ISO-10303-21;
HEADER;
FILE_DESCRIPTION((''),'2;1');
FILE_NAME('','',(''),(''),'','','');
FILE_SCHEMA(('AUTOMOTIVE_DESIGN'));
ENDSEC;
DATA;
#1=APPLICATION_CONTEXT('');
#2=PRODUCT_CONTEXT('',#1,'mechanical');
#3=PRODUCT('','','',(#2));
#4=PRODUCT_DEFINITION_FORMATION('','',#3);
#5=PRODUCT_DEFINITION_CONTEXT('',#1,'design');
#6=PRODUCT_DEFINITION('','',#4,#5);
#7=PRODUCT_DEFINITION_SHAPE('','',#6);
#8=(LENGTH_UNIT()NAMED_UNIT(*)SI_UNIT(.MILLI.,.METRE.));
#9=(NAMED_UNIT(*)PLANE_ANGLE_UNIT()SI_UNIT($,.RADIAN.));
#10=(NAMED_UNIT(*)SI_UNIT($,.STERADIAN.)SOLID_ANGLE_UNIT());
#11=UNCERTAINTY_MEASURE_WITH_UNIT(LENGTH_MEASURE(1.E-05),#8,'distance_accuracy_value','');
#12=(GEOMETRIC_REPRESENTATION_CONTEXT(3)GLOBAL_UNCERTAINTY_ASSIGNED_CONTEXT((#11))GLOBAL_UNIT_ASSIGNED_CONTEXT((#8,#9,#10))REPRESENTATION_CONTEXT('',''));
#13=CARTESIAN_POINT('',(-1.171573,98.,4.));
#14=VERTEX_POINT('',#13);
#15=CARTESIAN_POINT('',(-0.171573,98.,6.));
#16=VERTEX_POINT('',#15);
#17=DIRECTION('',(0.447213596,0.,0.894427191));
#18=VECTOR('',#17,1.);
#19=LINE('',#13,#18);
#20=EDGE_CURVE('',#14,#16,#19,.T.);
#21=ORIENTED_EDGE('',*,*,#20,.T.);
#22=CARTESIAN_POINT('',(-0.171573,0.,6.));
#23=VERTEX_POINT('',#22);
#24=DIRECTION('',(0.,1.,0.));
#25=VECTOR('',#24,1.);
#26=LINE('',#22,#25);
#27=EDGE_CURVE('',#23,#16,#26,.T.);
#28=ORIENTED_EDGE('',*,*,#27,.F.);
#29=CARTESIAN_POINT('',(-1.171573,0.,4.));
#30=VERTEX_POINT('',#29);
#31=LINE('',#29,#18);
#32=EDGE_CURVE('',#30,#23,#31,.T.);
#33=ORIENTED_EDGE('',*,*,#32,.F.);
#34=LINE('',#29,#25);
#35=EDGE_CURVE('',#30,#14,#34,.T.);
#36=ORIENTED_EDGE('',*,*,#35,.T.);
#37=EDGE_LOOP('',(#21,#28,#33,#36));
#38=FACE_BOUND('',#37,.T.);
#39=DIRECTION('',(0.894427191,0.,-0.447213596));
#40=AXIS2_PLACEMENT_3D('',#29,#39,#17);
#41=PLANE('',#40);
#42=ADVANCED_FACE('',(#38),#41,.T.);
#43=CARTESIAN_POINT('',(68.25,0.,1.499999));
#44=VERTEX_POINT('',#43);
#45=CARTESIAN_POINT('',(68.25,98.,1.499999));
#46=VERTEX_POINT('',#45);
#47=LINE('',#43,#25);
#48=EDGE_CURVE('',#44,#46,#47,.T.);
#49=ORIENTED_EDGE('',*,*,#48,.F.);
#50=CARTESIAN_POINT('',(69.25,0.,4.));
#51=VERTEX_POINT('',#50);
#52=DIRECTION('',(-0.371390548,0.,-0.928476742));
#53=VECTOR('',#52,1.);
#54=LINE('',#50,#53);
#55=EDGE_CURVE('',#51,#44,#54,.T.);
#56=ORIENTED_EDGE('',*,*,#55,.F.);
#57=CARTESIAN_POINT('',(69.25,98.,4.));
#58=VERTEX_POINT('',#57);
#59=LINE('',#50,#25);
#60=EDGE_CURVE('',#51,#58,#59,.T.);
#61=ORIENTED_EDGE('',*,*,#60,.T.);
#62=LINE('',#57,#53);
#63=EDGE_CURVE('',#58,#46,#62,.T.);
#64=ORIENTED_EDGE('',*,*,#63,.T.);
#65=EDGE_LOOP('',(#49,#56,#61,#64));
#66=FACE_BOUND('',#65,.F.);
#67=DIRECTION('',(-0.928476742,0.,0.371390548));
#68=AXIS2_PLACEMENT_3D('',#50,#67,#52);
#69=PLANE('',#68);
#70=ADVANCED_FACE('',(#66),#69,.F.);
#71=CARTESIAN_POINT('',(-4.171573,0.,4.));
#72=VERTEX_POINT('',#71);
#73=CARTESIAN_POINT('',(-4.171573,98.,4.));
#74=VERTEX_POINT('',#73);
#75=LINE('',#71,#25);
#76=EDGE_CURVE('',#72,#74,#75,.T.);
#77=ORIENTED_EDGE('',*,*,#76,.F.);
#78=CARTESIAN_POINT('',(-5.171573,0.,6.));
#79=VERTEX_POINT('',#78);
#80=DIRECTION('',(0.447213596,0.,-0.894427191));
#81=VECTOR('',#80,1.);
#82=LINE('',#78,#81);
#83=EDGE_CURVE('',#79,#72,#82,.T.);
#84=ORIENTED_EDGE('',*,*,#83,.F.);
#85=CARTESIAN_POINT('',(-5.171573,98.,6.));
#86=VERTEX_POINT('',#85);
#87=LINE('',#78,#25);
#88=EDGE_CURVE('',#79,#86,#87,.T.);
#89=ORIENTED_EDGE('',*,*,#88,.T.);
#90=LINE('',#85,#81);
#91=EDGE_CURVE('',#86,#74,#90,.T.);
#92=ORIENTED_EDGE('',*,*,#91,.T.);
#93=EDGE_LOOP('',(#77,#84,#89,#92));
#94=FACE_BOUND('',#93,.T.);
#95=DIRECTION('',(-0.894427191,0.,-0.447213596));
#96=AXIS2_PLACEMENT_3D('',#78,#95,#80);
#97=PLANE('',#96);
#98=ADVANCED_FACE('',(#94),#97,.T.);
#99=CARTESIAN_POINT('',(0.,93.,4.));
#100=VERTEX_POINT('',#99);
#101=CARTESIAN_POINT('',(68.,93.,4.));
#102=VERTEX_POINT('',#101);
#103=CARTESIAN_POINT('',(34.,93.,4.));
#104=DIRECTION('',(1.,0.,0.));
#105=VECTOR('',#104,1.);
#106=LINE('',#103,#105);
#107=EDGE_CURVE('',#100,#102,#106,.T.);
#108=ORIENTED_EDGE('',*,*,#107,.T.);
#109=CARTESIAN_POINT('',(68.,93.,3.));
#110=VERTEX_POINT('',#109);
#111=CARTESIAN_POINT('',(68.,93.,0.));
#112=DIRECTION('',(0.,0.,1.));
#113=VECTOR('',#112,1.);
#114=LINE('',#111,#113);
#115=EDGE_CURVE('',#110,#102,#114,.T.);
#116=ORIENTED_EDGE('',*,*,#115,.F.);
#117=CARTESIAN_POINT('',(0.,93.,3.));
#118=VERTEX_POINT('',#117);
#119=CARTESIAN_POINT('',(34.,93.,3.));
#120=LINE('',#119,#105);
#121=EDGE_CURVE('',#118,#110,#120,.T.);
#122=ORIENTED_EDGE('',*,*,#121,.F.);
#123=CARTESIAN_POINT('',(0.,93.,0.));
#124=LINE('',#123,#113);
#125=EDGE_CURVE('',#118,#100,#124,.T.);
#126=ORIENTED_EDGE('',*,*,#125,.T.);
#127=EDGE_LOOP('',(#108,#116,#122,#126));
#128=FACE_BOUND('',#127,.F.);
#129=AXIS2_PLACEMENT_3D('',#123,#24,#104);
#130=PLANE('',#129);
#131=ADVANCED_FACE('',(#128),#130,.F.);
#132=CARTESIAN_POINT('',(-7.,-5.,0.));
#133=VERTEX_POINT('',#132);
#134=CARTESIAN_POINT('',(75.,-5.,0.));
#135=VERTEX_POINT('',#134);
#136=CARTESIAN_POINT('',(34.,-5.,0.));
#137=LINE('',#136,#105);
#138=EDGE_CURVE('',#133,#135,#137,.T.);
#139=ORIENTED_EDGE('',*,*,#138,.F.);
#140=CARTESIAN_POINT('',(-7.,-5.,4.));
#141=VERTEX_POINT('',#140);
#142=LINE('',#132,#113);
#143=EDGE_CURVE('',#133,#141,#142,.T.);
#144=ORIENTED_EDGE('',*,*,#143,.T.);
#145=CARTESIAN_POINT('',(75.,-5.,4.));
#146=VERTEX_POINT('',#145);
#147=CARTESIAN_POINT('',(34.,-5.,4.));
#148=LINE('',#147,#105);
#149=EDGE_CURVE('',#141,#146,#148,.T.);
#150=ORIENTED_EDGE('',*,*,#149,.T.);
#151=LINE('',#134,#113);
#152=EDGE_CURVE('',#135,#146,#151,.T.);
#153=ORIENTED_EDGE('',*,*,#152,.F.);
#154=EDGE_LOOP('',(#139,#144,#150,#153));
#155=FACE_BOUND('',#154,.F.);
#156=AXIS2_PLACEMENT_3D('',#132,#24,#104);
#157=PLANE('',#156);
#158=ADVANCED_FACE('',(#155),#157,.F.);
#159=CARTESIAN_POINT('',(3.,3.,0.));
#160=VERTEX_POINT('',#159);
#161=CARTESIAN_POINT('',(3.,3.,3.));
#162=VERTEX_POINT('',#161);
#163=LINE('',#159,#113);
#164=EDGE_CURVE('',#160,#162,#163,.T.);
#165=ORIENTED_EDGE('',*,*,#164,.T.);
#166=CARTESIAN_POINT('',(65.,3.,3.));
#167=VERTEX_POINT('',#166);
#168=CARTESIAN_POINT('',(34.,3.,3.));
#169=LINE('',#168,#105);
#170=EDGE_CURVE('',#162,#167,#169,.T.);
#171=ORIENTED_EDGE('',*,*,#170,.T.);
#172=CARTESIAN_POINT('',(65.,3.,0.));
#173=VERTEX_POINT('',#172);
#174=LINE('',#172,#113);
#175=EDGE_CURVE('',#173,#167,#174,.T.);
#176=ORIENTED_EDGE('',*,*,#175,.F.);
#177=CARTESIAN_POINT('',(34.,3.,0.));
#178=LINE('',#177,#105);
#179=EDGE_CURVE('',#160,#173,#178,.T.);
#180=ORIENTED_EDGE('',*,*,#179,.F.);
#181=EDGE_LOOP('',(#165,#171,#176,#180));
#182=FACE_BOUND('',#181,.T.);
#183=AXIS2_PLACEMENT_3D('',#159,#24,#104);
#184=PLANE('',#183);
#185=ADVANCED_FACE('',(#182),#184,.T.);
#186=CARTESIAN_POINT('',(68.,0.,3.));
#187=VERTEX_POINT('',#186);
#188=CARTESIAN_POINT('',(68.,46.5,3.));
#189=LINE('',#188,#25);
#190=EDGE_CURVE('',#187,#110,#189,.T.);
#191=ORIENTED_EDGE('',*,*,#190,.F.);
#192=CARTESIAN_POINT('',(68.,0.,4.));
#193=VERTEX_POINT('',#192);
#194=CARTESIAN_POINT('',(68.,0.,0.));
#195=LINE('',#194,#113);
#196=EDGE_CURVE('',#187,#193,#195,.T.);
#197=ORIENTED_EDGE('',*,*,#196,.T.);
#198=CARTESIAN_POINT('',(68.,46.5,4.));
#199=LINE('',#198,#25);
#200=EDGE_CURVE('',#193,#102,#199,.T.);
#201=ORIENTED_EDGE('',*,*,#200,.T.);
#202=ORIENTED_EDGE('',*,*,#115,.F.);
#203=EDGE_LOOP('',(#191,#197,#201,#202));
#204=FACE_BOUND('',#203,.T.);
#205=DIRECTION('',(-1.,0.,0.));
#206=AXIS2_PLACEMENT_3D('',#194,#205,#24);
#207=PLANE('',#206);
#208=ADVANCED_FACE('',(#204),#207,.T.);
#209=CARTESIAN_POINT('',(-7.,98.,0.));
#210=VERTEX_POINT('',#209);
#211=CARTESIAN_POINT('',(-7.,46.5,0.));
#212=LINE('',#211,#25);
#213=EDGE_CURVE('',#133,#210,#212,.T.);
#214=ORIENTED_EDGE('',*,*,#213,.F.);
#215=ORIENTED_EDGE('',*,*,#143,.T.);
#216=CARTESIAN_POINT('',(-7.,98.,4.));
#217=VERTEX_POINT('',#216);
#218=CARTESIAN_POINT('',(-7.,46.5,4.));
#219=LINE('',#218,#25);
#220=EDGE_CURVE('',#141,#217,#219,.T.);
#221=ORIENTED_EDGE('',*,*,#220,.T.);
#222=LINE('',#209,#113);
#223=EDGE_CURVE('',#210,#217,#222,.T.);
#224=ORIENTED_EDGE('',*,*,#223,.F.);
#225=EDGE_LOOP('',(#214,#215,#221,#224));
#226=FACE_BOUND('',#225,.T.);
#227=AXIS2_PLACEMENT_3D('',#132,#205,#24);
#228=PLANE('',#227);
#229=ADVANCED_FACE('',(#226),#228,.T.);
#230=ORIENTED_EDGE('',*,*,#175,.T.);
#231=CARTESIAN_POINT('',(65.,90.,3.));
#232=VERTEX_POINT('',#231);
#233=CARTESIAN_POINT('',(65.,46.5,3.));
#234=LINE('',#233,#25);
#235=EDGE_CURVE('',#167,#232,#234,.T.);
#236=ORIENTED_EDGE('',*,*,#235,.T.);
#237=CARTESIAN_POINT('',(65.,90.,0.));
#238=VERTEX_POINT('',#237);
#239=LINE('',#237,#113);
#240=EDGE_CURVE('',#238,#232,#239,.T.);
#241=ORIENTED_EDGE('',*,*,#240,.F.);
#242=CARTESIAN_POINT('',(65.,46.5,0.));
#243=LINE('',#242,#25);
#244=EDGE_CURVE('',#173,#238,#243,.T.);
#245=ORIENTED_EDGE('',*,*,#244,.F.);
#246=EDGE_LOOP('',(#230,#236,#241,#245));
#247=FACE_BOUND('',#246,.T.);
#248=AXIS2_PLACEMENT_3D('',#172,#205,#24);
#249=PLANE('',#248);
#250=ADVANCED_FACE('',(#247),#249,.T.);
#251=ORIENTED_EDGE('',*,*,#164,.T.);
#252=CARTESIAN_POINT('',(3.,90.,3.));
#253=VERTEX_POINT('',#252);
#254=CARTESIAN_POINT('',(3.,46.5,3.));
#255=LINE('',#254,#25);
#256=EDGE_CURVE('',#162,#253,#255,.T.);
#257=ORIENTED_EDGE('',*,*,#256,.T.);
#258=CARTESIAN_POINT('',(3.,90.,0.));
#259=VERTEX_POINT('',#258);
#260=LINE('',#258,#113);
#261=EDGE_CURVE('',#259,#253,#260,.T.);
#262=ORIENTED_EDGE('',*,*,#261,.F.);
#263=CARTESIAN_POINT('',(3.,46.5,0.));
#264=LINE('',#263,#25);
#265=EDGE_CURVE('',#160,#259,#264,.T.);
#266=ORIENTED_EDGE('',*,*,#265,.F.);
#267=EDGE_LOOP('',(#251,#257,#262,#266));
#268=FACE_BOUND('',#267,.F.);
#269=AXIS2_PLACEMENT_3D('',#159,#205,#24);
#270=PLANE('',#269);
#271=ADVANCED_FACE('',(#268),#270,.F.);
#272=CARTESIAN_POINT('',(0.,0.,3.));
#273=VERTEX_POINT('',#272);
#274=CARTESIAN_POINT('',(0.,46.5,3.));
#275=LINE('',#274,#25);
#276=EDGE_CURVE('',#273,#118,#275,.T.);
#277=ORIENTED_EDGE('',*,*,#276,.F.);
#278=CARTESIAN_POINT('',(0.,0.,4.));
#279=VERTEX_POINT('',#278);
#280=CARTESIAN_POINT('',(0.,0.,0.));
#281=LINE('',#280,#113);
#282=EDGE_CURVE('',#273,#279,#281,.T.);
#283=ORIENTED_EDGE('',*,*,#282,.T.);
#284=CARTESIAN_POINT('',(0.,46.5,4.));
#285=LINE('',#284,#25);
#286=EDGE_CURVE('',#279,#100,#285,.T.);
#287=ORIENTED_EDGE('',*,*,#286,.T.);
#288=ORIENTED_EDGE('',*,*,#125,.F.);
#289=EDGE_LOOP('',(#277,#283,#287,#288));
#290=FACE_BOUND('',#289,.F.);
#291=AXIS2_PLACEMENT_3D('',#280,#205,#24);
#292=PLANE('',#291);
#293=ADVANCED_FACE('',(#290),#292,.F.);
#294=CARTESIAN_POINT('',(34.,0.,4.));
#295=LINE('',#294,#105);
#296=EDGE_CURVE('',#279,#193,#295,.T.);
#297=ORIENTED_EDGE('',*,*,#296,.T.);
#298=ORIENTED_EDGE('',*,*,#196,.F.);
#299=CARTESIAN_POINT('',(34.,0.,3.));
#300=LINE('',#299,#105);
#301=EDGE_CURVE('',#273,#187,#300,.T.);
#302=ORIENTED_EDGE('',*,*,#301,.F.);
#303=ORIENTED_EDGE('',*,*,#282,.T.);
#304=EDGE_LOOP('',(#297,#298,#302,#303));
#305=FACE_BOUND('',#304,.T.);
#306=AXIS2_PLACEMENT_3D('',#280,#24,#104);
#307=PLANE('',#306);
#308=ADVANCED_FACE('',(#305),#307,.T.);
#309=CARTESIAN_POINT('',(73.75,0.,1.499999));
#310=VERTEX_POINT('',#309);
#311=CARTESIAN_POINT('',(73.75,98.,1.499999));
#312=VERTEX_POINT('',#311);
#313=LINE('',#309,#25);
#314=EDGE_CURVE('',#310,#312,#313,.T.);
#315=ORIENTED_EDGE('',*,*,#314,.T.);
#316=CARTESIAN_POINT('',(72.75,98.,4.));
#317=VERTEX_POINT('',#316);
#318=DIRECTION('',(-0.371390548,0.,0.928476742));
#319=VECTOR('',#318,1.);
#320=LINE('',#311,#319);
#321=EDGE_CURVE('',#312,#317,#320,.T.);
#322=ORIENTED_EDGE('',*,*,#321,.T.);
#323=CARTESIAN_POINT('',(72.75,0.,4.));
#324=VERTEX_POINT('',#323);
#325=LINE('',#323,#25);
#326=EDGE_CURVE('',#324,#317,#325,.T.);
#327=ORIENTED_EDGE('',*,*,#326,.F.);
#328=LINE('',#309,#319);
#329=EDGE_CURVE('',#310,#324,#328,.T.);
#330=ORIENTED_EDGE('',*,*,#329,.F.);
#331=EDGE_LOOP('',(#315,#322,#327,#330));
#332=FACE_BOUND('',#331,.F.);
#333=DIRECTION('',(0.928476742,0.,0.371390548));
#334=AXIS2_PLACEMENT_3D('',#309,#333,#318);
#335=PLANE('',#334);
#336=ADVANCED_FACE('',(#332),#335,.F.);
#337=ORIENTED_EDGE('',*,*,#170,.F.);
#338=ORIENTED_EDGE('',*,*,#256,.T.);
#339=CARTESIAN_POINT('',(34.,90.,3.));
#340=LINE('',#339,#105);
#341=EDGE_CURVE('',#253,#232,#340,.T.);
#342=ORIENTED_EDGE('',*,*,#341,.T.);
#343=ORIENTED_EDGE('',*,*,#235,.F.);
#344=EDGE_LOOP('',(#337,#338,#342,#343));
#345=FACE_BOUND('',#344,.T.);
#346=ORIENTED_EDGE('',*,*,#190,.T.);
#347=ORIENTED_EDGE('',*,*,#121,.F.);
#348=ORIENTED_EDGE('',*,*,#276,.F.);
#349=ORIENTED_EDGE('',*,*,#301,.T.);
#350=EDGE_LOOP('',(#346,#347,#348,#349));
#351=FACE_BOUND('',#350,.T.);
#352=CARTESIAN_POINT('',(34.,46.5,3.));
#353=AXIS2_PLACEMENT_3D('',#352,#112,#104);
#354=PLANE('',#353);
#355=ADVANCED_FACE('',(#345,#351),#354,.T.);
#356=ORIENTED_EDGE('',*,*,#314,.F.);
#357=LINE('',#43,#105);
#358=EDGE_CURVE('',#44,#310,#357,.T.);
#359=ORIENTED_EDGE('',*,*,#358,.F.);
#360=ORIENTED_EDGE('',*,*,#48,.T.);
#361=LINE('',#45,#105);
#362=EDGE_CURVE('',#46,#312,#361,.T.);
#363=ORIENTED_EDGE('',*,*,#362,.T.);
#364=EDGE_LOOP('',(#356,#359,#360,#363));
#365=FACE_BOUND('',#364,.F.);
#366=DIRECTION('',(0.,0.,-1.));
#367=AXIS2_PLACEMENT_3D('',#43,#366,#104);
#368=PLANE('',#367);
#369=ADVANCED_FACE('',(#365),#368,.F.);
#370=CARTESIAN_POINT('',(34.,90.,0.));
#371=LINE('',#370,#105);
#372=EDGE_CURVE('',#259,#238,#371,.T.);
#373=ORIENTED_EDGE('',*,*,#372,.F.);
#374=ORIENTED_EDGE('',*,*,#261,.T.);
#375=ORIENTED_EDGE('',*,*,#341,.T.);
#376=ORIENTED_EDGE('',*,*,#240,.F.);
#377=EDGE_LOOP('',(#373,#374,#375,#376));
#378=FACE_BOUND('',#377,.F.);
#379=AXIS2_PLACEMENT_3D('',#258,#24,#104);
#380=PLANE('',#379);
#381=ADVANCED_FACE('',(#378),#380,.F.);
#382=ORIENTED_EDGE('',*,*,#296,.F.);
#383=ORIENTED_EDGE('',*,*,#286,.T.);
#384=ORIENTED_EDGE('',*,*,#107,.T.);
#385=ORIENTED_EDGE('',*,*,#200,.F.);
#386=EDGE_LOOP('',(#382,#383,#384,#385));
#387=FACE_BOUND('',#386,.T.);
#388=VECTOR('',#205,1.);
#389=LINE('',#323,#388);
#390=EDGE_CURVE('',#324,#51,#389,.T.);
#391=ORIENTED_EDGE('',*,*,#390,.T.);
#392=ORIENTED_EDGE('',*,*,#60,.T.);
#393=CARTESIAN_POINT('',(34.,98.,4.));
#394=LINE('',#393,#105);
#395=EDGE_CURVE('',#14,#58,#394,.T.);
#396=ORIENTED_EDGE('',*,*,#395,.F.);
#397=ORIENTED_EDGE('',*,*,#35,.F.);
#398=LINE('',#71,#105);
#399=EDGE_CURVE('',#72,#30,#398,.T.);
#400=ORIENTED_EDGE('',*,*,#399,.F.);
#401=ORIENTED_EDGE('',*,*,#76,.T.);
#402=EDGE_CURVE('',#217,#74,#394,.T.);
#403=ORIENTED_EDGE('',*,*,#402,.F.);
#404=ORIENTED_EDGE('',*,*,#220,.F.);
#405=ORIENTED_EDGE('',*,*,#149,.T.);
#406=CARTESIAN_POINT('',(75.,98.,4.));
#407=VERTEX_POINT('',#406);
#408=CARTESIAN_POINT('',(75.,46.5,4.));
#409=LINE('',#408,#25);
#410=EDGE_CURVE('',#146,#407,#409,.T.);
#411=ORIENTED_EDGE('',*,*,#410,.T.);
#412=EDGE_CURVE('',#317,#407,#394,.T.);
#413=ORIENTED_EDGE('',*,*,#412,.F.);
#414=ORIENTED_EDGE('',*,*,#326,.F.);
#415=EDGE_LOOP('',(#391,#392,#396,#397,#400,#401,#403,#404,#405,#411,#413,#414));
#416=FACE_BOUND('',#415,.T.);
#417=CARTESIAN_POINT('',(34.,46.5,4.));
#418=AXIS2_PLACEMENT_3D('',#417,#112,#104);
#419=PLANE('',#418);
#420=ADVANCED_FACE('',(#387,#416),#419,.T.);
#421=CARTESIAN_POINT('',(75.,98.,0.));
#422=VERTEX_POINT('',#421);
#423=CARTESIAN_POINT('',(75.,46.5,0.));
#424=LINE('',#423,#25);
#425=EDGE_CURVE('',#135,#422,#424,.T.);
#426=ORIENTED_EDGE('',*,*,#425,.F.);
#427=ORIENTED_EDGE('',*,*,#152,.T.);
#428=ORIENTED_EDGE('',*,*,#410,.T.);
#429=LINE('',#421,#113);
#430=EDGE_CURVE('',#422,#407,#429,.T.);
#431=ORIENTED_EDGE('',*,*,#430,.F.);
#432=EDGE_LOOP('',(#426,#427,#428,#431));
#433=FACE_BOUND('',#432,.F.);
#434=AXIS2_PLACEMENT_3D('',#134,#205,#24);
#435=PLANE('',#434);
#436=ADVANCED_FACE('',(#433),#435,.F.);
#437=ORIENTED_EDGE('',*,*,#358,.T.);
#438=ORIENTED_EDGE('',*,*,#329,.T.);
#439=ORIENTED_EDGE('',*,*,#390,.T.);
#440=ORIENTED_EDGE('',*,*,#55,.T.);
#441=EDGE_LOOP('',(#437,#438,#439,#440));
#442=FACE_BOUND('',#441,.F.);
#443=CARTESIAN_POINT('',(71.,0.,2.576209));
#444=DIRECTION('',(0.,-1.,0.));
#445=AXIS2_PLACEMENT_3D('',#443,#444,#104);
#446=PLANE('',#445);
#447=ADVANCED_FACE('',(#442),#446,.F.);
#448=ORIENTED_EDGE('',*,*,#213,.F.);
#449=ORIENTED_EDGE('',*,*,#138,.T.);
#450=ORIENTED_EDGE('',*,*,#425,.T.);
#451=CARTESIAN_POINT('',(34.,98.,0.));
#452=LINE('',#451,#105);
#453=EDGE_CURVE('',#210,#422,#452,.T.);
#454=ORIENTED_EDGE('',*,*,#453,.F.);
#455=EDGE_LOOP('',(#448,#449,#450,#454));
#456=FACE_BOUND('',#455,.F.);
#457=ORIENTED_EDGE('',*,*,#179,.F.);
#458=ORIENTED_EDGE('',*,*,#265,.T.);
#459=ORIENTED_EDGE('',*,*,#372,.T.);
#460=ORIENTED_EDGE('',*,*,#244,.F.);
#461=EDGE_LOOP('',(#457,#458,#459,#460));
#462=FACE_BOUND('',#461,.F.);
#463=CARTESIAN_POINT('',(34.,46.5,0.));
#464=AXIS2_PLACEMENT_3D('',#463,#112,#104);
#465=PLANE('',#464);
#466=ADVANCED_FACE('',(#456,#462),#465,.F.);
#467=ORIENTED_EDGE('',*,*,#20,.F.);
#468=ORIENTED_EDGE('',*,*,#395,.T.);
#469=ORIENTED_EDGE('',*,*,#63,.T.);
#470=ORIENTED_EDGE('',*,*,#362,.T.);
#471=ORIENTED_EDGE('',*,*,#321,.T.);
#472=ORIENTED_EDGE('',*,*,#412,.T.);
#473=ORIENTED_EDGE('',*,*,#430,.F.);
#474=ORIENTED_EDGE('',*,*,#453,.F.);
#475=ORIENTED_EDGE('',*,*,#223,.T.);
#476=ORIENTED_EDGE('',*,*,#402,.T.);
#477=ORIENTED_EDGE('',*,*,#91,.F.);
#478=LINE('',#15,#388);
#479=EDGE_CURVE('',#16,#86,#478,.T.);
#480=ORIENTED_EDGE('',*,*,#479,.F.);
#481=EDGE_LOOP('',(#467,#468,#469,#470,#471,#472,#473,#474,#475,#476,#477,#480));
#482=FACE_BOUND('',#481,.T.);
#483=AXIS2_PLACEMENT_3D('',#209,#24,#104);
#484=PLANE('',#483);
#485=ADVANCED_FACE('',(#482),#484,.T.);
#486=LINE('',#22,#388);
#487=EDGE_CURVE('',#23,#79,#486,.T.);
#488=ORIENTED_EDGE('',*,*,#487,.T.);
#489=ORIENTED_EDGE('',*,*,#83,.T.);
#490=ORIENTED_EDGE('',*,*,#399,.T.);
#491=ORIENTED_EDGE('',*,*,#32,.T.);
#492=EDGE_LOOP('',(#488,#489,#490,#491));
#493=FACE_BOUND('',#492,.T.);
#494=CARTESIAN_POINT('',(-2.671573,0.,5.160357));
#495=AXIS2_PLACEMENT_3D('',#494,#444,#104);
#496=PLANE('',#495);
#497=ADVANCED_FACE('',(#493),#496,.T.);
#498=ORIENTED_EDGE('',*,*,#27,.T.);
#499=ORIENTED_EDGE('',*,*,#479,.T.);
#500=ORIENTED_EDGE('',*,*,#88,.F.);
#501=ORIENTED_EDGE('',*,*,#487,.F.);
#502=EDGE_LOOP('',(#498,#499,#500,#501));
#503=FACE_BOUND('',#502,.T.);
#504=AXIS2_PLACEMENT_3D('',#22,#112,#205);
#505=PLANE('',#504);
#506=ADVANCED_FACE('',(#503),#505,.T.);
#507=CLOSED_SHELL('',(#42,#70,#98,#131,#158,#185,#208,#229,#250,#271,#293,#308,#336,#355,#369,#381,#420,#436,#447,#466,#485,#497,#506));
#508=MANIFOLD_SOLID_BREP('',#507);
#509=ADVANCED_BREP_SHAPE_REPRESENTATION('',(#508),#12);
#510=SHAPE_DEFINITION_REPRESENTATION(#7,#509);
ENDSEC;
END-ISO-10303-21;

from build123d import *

# Parameters (mm, degrees)
F0_W     = 68
F0_H     = 93
F0_W_2   = 62
F0_H_2   = 87
F1_DEPTH = 3
F0_W_3   = 82
F0_H_3   = 103
F2_DEPTH = 4
F4_DEPTH = 98
F6_DEPTH = 98


with BuildPart() as f1:
    # F0 (on Top) → F1 (new body)
    with BuildSketch(Plane.XY):
        with Locations((34, 46.5)):
            Rectangle(F0_W, F0_H)
        with Locations((34, 46.5)):
            Rectangle(F0_W_2, F0_H_2, mode=Mode.SUBTRACT)
    extrude(amount=F1_DEPTH)

    # F0 (on Top) → F2 (join)
    with BuildSketch(Plane.XY):
        with Locations((34, 46.5)):
            Rectangle(F0_W_3, F0_H_3)
        with Locations((34, 46.5)):
            Rectangle(F0_W, F0_H, mode=Mode.SUBTRACT)
    extrude(amount=F2_DEPTH)

    # F3 (on Front) → F4 (join)
    with BuildSketch(Plane.XZ):
        Polygon((-5.171573, 6), (-4.171573, 4), (-1.171573, 4), (-0.171573, 6), align=None)
    extrude(amount=-F4_DEPTH)

    # F5 (on Front) → F6 (cut)
    with BuildSketch(Plane.XZ):
        Polygon((72.75, 4), (69.25, 4), (68.25, 1.499999), (73.75, 1.499999), align=None)
    extrude(amount=-F6_DEPTH, mode=Mode.SUBTRACT)


solid = f1.part
